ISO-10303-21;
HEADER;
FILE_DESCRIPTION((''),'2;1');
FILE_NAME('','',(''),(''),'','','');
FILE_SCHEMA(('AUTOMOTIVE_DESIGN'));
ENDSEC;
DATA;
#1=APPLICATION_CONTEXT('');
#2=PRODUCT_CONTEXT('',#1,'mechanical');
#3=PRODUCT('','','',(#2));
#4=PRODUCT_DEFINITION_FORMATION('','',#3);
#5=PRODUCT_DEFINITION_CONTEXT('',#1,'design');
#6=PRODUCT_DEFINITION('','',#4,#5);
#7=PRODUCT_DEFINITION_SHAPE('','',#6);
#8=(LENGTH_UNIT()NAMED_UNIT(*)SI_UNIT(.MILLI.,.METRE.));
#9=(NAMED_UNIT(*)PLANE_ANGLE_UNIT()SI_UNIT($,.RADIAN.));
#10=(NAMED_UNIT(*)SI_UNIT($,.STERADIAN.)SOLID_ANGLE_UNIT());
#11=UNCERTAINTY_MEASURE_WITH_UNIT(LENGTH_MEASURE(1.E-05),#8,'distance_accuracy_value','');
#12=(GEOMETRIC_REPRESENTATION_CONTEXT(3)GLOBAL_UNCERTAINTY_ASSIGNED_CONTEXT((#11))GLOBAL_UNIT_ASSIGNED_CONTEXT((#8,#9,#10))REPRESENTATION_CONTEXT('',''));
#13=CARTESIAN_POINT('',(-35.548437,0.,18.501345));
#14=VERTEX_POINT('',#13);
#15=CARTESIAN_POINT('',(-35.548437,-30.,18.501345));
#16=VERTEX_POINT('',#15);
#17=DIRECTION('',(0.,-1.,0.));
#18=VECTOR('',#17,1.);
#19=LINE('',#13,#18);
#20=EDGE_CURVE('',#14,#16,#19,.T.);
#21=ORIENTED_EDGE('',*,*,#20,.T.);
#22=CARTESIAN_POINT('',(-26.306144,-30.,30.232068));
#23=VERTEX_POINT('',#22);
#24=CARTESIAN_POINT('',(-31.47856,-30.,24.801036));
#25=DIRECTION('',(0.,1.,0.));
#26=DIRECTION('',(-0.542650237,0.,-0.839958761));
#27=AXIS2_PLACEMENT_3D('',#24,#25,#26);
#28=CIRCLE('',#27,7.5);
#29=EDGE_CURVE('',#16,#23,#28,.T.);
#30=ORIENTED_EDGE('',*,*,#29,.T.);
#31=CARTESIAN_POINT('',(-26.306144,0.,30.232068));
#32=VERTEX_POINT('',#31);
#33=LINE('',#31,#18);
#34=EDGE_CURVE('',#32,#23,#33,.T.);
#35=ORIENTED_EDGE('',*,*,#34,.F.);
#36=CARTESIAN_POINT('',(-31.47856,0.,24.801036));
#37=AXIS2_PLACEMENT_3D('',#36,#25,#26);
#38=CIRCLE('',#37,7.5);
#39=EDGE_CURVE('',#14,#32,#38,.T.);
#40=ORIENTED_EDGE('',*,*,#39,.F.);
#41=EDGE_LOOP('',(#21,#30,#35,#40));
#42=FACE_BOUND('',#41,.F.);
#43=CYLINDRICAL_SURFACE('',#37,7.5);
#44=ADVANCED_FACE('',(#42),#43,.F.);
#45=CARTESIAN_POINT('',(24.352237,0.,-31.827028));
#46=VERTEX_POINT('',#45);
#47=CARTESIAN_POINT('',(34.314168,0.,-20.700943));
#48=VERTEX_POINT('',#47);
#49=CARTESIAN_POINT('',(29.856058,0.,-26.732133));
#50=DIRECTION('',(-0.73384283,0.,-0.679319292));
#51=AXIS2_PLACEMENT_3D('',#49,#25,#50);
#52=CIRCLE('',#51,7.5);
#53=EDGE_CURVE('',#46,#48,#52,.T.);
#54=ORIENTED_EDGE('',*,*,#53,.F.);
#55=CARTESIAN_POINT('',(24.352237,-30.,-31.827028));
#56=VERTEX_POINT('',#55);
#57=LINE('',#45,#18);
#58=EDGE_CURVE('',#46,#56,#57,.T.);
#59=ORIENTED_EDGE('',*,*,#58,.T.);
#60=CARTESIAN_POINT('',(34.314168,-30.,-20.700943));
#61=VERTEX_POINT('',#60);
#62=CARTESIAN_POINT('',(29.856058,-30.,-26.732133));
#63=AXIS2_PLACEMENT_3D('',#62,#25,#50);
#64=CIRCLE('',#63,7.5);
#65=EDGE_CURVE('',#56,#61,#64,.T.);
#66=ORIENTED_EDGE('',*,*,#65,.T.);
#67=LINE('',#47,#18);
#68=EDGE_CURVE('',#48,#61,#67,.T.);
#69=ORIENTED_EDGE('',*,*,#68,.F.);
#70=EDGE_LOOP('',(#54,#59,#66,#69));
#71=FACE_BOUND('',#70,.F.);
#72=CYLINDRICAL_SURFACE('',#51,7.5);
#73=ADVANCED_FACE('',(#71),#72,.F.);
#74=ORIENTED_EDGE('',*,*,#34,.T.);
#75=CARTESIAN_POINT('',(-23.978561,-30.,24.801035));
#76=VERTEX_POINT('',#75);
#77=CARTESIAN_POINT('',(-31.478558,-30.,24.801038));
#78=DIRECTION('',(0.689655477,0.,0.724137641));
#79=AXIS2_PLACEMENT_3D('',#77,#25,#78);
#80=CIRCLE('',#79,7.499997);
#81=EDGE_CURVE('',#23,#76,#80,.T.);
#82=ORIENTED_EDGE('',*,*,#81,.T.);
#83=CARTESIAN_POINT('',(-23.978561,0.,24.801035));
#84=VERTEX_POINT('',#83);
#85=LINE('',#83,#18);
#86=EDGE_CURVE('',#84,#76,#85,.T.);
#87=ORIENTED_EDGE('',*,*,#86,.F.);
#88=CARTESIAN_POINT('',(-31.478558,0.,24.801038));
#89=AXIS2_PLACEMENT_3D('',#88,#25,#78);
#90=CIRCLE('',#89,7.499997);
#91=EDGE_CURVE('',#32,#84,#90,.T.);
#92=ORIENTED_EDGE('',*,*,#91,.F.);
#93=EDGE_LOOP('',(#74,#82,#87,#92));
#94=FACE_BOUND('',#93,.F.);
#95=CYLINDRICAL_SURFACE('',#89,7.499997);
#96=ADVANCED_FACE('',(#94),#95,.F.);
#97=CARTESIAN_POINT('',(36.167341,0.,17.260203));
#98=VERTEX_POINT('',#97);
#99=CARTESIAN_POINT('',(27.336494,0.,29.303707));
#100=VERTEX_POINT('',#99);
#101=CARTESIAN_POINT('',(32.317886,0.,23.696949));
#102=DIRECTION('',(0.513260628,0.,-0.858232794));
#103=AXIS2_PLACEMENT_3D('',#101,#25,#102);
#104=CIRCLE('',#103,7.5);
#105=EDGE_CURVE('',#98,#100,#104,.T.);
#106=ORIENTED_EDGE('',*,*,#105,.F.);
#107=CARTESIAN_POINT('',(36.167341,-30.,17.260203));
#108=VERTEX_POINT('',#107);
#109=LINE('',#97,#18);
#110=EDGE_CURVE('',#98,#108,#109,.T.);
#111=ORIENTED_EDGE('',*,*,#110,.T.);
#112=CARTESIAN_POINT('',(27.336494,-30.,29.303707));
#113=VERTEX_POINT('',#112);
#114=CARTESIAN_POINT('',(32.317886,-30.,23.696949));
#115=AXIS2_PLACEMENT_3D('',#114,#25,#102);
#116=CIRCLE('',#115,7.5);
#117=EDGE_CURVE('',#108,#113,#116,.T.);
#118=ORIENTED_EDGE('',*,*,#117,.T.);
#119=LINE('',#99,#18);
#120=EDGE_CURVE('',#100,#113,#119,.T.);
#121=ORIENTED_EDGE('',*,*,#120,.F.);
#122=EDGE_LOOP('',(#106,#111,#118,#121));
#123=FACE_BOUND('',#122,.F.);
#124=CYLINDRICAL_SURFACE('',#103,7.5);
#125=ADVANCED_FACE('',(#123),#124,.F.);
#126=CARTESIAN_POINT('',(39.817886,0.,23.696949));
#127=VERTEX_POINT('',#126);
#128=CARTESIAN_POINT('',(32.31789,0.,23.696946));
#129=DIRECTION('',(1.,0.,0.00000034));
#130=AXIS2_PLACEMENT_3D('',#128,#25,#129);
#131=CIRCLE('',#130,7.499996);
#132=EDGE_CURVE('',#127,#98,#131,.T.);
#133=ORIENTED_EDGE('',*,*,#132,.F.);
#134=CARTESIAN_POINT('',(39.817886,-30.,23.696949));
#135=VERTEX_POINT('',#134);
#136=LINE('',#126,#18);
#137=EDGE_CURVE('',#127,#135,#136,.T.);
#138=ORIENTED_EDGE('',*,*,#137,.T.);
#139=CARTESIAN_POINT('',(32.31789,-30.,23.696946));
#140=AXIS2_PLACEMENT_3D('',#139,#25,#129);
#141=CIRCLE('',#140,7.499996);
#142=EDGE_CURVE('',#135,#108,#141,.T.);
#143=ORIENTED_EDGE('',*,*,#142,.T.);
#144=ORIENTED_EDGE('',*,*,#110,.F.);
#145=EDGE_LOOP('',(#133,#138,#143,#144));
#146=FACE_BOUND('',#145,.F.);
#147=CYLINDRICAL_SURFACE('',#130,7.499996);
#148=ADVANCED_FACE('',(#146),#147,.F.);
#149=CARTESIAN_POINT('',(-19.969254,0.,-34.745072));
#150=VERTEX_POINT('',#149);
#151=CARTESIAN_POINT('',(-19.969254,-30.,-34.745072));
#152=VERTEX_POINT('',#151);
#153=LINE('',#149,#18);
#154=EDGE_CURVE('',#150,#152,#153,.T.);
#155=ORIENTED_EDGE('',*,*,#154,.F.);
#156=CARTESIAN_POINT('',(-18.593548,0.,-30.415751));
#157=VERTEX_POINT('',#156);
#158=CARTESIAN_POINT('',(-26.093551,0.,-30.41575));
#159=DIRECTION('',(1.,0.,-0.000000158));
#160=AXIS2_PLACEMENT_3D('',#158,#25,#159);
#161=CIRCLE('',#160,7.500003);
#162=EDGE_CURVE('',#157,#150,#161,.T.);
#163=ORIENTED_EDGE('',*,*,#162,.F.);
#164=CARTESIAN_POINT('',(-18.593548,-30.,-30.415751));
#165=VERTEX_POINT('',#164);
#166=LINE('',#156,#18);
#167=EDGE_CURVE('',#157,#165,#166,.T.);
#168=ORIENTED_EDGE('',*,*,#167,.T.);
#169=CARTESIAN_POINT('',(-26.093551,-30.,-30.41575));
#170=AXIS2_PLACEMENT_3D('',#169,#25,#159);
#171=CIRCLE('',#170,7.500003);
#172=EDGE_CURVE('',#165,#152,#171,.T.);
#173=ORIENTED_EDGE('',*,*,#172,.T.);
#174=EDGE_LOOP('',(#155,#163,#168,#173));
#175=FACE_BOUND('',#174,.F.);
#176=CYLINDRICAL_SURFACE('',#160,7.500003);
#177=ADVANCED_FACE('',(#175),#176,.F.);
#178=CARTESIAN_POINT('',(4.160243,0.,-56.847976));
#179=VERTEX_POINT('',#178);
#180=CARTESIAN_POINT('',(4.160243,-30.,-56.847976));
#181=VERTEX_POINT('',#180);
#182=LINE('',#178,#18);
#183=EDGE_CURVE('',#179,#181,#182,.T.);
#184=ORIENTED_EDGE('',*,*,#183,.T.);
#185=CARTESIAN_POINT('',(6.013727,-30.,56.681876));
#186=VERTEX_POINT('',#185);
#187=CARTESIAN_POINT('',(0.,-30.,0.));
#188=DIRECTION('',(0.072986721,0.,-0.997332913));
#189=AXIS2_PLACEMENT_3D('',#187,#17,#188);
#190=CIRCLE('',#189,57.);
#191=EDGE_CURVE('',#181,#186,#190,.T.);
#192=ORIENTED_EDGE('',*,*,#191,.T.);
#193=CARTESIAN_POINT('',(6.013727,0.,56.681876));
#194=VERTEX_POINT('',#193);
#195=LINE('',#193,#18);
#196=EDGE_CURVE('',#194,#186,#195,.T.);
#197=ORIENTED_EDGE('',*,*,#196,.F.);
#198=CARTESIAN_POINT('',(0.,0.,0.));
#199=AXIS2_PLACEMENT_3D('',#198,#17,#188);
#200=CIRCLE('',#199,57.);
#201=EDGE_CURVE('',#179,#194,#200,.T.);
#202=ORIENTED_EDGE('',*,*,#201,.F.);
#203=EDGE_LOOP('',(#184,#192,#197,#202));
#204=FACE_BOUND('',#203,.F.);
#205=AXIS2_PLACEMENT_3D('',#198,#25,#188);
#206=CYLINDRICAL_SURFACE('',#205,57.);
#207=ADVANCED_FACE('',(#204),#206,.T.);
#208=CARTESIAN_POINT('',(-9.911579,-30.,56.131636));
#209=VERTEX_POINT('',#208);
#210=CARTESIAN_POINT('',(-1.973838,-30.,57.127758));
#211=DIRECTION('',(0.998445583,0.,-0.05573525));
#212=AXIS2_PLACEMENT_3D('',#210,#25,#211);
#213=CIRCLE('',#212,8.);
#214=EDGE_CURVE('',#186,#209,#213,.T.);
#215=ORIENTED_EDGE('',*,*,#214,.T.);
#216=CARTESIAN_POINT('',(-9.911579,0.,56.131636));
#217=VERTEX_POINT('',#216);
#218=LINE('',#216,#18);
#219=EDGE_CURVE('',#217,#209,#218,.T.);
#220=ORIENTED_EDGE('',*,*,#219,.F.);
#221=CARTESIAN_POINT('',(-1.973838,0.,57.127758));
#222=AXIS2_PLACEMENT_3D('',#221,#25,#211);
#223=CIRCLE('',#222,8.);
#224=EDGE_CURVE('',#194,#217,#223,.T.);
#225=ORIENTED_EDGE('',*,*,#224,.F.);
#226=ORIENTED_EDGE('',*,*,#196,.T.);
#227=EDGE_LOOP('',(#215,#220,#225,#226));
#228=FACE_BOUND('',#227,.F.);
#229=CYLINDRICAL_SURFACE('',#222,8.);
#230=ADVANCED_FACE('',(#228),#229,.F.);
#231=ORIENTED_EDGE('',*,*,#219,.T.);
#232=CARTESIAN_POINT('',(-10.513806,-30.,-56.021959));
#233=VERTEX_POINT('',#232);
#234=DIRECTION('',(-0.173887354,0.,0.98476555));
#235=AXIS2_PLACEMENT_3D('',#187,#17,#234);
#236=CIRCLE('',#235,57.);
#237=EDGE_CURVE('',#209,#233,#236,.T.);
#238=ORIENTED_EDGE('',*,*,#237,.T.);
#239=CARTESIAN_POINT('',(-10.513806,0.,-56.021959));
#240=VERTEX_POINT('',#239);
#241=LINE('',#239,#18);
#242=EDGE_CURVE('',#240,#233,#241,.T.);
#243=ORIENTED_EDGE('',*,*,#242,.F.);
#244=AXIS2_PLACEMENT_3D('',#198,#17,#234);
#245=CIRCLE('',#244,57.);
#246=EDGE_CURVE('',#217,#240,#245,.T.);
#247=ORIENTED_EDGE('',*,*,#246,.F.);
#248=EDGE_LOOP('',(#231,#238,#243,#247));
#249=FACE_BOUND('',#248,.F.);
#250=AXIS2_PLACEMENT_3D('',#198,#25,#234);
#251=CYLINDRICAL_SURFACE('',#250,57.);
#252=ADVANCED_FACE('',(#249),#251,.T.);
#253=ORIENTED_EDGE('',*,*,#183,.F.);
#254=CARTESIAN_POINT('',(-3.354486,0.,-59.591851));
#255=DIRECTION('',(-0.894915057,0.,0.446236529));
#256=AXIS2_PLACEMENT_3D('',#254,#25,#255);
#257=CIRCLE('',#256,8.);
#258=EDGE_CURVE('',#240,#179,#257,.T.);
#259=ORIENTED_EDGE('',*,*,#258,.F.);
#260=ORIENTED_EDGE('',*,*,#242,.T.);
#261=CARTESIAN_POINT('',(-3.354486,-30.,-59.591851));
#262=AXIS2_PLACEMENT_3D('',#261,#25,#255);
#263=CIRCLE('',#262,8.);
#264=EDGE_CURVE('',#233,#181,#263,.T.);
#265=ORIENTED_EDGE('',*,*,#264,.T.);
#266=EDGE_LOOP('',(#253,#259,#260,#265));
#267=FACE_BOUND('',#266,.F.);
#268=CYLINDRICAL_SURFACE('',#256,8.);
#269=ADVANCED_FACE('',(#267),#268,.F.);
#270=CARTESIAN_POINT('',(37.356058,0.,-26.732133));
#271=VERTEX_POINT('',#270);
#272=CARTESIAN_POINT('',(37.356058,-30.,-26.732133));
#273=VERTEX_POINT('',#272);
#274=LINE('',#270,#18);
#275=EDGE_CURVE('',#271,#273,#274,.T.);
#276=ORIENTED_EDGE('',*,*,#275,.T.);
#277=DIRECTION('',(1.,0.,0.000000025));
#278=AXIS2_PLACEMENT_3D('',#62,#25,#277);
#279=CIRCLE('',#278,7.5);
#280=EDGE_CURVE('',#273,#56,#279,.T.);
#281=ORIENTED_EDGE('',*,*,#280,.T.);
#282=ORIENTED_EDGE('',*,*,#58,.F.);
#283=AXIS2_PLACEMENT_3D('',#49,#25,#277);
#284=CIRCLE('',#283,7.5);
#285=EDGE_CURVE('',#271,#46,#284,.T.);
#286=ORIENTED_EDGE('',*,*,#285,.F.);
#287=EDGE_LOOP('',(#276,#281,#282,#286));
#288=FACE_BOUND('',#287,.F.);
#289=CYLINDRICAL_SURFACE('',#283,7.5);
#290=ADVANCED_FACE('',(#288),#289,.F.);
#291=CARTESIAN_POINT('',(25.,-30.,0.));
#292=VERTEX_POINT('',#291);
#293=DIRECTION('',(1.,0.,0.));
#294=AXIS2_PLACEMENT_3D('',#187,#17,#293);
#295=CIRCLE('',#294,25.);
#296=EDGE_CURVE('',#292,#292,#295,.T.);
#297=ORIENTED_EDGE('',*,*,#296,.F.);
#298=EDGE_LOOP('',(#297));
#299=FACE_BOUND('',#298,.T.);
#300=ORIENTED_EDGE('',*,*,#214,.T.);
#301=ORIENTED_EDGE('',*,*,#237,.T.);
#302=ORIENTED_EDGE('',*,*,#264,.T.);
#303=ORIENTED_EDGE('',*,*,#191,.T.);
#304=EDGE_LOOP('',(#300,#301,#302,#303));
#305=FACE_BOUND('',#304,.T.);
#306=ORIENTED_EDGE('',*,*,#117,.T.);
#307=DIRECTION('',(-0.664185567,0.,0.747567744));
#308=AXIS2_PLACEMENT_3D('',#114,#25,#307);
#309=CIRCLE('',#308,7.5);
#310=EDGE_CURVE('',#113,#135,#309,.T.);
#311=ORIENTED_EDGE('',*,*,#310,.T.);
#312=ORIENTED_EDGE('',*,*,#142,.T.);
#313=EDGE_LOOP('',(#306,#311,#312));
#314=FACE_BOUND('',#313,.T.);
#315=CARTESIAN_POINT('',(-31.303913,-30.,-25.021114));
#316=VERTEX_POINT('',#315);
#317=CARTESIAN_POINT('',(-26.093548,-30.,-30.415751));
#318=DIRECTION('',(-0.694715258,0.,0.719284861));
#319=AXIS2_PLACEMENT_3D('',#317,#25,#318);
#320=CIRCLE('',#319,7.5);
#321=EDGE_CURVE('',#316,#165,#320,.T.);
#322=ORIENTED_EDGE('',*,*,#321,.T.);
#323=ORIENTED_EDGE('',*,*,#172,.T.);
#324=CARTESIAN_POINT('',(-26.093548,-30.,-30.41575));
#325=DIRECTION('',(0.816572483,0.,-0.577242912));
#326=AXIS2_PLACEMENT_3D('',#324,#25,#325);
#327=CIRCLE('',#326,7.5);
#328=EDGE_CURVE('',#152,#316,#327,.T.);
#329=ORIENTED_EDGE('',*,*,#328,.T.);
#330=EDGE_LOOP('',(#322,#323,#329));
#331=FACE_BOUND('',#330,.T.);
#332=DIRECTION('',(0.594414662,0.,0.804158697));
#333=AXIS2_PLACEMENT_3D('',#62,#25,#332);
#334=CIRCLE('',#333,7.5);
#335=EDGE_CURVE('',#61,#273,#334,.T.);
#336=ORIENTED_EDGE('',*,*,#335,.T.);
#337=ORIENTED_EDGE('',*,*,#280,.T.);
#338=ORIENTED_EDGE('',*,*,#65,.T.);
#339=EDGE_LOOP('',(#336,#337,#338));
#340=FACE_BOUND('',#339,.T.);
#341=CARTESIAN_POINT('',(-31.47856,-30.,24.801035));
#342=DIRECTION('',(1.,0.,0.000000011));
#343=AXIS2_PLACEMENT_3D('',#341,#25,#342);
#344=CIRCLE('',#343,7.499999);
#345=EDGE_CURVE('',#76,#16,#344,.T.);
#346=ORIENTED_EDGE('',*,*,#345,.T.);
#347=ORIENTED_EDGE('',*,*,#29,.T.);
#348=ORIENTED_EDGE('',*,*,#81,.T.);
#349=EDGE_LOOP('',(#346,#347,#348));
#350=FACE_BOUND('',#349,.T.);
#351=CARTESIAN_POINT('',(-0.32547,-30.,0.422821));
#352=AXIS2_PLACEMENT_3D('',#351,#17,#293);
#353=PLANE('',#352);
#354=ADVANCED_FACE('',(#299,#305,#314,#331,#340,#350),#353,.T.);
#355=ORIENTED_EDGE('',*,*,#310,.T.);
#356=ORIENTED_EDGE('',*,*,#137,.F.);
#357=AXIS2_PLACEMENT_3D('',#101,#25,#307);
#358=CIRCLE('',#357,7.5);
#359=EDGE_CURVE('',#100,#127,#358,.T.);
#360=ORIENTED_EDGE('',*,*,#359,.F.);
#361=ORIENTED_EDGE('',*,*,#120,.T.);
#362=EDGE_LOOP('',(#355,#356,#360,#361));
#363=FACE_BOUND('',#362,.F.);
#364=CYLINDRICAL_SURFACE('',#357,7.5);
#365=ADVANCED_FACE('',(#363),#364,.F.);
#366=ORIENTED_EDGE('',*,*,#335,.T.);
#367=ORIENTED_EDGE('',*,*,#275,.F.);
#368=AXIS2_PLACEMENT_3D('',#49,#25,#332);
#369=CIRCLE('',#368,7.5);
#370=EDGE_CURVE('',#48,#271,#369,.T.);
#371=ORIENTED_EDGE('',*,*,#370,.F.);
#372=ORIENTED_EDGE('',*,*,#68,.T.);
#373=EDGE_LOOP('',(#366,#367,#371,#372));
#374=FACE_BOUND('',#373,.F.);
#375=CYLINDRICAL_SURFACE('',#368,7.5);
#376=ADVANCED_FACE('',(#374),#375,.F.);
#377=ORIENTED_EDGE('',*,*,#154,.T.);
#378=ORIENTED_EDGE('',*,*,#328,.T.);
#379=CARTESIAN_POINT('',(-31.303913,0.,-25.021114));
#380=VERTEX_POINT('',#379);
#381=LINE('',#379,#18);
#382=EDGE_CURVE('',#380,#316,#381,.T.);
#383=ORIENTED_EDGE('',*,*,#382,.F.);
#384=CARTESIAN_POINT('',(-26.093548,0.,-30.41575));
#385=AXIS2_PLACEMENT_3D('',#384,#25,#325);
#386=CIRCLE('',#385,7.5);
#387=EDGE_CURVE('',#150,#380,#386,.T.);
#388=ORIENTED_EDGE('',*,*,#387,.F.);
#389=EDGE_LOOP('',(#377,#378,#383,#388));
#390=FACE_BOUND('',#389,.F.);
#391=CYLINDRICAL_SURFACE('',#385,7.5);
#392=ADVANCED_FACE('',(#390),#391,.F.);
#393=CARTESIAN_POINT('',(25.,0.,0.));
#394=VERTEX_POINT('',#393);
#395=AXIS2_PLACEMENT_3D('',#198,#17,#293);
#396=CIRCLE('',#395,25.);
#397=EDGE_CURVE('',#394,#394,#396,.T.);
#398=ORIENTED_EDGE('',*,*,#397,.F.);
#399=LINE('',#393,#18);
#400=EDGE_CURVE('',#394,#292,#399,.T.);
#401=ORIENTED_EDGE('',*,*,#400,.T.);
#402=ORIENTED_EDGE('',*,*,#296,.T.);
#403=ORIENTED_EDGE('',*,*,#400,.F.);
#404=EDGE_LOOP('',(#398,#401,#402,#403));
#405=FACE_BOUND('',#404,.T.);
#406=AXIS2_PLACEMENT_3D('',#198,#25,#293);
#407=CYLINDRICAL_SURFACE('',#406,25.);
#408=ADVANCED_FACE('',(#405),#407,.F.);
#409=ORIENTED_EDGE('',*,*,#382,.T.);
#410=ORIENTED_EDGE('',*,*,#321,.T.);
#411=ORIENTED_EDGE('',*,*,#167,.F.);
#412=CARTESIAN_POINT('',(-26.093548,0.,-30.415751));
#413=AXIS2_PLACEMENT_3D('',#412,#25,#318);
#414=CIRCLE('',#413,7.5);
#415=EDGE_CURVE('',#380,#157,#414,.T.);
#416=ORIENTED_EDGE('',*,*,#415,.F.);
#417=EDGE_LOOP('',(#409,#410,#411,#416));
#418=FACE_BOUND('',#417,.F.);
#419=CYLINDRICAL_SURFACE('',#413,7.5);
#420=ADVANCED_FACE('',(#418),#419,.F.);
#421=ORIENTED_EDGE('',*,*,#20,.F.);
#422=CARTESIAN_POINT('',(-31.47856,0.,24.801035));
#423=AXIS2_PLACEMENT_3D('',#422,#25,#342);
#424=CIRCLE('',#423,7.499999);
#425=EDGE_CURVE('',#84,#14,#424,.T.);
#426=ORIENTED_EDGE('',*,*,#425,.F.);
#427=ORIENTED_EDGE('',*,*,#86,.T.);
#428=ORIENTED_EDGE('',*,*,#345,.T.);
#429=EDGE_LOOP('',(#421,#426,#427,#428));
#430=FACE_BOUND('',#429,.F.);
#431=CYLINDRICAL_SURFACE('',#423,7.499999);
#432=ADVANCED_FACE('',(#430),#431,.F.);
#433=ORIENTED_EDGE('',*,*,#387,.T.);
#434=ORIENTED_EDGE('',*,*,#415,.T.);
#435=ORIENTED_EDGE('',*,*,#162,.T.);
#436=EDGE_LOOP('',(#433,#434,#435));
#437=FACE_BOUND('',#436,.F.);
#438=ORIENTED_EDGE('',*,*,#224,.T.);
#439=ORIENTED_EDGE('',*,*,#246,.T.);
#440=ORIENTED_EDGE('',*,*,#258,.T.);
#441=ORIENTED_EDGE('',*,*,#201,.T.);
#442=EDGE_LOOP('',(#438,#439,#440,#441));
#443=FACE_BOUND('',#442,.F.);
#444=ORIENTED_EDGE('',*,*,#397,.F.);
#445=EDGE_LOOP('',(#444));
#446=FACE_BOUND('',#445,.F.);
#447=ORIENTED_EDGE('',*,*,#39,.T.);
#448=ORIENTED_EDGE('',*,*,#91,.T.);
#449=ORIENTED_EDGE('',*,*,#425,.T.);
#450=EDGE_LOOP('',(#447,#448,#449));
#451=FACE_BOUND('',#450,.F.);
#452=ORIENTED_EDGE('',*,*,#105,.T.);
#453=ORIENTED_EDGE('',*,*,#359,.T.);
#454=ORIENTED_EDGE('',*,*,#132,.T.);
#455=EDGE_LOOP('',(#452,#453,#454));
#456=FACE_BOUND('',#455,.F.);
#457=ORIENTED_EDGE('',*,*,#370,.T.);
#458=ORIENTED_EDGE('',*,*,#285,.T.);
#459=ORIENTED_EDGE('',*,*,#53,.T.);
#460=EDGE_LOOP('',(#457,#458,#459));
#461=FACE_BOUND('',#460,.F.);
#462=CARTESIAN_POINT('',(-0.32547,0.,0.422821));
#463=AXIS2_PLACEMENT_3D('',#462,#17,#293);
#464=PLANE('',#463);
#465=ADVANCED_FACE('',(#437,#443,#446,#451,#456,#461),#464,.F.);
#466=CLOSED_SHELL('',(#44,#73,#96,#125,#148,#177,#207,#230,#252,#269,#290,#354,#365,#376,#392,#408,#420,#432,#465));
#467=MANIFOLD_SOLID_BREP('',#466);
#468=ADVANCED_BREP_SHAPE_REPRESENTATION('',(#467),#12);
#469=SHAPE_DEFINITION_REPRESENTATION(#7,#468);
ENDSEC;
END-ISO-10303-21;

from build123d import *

# Parameters (mm, degrees)
F0_R     = 25
F1_DEPTH = 30


with BuildPart() as f1:
    # F0 (on Front) → F1 (new body)
    with BuildSketch(Plane.XZ):
        with BuildLine():
            ThreePointArc((6.013727, 56.681876), (-1.697592, 49.132529), (-9.911579, 56.131636))
            ThreePointArc((-9.911579, 56.131636), (-56.999178, 0.306066), (-10.513806, -56.021959))
            ThreePointArc((-10.513806, -56.021959), (-2.904869, -51.604496), (4.160243, -56.847976))
            ThreePointArc((4.160243, -56.847976), (56.992405, -0.930456), (6.013727, 56.681876))
        make_face()
        with BuildLine():
            ThreePointArc((-31.303913, -25.021114), (-39.88559, -3.889839), (-35.548437, 18.501345))
            ThreePointArc((-35.548437, 18.501345), (-37.369771, 29.442548), (-26.306144, 30.232068))
            ThreePointArc((-26.306144, 30.232068), (0.693447, 40.068819), (27.336494, 29.303707))
            ThreePointArc((27.336494, 29.303707), (35.391122, 30.538383), (39.817886, 23.696949))
            ThreePointArc((39.817886, 23.696949), (38.841724, 19.99701), (36.167341, 17.260203))
            ThreePointArc((36.167341, 17.260203), (40.027152, -1.95403), (34.314168, -20.700943))
            ThreePointArc((34.314168, -20.700943), (36.552543, -23.354695), (37.356058, -26.732133))
            ThreePointArc((37.356058, -26.732133), (32.592054, -33.715279), (24.352237, -31.827028))
            ThreePointArc((24.352237, -31.827028), (2.632751, -39.988245), (-19.969254, -34.745072))
            ThreePointArc((-19.969254, -34.745072), (-30.976954, -36.108056), (-31.303913, -25.021114))
        make_face(mode=Mode.SUBTRACT)
        with BuildLine():
            ThreePointArc((-23.978561, 24.801035), (-27.892063, 18.214152), (-35.548437, 18.501345))
            ThreePointArc((-35.548437, 18.501345), (-39.88559, -3.889839), (-31.303913, -25.021114))
            ThreePointArc((-31.303913, -25.021114), (-23.163338, -23.511848), (-18.593548, -30.415751))
            ThreePointArc((-18.593548, -30.415751), (-18.945744, -32.687071), (-19.969254, -34.745072))
            ThreePointArc((-19.969254, -34.745072), (2.632751, -39.988245), (24.352237, -31.827028))
            ThreePointArc((24.352237, -31.827028), (24.268499, -21.729216), (34.314168, -20.700943))
            ThreePointArc((34.314168, -20.700943), (40.027152, -1.95403), (36.167341, 17.260203))
            ThreePointArc((36.167341, 17.260203), (26.269596, 19.262066), (27.336494, 29.303707))
            ThreePointArc((27.336494, 29.303707), (0.693447, 40.068819), (-26.306144, 30.232068))
            ThreePointArc((-26.306144, 30.232068), (-24.584972, 27.755429), (-23.978561, 24.801035))
        make_face()
        Circle(F0_R, mode=Mode.SUBTRACT)
    extrude(amount=F1_DEPTH)


solid = f1.part
